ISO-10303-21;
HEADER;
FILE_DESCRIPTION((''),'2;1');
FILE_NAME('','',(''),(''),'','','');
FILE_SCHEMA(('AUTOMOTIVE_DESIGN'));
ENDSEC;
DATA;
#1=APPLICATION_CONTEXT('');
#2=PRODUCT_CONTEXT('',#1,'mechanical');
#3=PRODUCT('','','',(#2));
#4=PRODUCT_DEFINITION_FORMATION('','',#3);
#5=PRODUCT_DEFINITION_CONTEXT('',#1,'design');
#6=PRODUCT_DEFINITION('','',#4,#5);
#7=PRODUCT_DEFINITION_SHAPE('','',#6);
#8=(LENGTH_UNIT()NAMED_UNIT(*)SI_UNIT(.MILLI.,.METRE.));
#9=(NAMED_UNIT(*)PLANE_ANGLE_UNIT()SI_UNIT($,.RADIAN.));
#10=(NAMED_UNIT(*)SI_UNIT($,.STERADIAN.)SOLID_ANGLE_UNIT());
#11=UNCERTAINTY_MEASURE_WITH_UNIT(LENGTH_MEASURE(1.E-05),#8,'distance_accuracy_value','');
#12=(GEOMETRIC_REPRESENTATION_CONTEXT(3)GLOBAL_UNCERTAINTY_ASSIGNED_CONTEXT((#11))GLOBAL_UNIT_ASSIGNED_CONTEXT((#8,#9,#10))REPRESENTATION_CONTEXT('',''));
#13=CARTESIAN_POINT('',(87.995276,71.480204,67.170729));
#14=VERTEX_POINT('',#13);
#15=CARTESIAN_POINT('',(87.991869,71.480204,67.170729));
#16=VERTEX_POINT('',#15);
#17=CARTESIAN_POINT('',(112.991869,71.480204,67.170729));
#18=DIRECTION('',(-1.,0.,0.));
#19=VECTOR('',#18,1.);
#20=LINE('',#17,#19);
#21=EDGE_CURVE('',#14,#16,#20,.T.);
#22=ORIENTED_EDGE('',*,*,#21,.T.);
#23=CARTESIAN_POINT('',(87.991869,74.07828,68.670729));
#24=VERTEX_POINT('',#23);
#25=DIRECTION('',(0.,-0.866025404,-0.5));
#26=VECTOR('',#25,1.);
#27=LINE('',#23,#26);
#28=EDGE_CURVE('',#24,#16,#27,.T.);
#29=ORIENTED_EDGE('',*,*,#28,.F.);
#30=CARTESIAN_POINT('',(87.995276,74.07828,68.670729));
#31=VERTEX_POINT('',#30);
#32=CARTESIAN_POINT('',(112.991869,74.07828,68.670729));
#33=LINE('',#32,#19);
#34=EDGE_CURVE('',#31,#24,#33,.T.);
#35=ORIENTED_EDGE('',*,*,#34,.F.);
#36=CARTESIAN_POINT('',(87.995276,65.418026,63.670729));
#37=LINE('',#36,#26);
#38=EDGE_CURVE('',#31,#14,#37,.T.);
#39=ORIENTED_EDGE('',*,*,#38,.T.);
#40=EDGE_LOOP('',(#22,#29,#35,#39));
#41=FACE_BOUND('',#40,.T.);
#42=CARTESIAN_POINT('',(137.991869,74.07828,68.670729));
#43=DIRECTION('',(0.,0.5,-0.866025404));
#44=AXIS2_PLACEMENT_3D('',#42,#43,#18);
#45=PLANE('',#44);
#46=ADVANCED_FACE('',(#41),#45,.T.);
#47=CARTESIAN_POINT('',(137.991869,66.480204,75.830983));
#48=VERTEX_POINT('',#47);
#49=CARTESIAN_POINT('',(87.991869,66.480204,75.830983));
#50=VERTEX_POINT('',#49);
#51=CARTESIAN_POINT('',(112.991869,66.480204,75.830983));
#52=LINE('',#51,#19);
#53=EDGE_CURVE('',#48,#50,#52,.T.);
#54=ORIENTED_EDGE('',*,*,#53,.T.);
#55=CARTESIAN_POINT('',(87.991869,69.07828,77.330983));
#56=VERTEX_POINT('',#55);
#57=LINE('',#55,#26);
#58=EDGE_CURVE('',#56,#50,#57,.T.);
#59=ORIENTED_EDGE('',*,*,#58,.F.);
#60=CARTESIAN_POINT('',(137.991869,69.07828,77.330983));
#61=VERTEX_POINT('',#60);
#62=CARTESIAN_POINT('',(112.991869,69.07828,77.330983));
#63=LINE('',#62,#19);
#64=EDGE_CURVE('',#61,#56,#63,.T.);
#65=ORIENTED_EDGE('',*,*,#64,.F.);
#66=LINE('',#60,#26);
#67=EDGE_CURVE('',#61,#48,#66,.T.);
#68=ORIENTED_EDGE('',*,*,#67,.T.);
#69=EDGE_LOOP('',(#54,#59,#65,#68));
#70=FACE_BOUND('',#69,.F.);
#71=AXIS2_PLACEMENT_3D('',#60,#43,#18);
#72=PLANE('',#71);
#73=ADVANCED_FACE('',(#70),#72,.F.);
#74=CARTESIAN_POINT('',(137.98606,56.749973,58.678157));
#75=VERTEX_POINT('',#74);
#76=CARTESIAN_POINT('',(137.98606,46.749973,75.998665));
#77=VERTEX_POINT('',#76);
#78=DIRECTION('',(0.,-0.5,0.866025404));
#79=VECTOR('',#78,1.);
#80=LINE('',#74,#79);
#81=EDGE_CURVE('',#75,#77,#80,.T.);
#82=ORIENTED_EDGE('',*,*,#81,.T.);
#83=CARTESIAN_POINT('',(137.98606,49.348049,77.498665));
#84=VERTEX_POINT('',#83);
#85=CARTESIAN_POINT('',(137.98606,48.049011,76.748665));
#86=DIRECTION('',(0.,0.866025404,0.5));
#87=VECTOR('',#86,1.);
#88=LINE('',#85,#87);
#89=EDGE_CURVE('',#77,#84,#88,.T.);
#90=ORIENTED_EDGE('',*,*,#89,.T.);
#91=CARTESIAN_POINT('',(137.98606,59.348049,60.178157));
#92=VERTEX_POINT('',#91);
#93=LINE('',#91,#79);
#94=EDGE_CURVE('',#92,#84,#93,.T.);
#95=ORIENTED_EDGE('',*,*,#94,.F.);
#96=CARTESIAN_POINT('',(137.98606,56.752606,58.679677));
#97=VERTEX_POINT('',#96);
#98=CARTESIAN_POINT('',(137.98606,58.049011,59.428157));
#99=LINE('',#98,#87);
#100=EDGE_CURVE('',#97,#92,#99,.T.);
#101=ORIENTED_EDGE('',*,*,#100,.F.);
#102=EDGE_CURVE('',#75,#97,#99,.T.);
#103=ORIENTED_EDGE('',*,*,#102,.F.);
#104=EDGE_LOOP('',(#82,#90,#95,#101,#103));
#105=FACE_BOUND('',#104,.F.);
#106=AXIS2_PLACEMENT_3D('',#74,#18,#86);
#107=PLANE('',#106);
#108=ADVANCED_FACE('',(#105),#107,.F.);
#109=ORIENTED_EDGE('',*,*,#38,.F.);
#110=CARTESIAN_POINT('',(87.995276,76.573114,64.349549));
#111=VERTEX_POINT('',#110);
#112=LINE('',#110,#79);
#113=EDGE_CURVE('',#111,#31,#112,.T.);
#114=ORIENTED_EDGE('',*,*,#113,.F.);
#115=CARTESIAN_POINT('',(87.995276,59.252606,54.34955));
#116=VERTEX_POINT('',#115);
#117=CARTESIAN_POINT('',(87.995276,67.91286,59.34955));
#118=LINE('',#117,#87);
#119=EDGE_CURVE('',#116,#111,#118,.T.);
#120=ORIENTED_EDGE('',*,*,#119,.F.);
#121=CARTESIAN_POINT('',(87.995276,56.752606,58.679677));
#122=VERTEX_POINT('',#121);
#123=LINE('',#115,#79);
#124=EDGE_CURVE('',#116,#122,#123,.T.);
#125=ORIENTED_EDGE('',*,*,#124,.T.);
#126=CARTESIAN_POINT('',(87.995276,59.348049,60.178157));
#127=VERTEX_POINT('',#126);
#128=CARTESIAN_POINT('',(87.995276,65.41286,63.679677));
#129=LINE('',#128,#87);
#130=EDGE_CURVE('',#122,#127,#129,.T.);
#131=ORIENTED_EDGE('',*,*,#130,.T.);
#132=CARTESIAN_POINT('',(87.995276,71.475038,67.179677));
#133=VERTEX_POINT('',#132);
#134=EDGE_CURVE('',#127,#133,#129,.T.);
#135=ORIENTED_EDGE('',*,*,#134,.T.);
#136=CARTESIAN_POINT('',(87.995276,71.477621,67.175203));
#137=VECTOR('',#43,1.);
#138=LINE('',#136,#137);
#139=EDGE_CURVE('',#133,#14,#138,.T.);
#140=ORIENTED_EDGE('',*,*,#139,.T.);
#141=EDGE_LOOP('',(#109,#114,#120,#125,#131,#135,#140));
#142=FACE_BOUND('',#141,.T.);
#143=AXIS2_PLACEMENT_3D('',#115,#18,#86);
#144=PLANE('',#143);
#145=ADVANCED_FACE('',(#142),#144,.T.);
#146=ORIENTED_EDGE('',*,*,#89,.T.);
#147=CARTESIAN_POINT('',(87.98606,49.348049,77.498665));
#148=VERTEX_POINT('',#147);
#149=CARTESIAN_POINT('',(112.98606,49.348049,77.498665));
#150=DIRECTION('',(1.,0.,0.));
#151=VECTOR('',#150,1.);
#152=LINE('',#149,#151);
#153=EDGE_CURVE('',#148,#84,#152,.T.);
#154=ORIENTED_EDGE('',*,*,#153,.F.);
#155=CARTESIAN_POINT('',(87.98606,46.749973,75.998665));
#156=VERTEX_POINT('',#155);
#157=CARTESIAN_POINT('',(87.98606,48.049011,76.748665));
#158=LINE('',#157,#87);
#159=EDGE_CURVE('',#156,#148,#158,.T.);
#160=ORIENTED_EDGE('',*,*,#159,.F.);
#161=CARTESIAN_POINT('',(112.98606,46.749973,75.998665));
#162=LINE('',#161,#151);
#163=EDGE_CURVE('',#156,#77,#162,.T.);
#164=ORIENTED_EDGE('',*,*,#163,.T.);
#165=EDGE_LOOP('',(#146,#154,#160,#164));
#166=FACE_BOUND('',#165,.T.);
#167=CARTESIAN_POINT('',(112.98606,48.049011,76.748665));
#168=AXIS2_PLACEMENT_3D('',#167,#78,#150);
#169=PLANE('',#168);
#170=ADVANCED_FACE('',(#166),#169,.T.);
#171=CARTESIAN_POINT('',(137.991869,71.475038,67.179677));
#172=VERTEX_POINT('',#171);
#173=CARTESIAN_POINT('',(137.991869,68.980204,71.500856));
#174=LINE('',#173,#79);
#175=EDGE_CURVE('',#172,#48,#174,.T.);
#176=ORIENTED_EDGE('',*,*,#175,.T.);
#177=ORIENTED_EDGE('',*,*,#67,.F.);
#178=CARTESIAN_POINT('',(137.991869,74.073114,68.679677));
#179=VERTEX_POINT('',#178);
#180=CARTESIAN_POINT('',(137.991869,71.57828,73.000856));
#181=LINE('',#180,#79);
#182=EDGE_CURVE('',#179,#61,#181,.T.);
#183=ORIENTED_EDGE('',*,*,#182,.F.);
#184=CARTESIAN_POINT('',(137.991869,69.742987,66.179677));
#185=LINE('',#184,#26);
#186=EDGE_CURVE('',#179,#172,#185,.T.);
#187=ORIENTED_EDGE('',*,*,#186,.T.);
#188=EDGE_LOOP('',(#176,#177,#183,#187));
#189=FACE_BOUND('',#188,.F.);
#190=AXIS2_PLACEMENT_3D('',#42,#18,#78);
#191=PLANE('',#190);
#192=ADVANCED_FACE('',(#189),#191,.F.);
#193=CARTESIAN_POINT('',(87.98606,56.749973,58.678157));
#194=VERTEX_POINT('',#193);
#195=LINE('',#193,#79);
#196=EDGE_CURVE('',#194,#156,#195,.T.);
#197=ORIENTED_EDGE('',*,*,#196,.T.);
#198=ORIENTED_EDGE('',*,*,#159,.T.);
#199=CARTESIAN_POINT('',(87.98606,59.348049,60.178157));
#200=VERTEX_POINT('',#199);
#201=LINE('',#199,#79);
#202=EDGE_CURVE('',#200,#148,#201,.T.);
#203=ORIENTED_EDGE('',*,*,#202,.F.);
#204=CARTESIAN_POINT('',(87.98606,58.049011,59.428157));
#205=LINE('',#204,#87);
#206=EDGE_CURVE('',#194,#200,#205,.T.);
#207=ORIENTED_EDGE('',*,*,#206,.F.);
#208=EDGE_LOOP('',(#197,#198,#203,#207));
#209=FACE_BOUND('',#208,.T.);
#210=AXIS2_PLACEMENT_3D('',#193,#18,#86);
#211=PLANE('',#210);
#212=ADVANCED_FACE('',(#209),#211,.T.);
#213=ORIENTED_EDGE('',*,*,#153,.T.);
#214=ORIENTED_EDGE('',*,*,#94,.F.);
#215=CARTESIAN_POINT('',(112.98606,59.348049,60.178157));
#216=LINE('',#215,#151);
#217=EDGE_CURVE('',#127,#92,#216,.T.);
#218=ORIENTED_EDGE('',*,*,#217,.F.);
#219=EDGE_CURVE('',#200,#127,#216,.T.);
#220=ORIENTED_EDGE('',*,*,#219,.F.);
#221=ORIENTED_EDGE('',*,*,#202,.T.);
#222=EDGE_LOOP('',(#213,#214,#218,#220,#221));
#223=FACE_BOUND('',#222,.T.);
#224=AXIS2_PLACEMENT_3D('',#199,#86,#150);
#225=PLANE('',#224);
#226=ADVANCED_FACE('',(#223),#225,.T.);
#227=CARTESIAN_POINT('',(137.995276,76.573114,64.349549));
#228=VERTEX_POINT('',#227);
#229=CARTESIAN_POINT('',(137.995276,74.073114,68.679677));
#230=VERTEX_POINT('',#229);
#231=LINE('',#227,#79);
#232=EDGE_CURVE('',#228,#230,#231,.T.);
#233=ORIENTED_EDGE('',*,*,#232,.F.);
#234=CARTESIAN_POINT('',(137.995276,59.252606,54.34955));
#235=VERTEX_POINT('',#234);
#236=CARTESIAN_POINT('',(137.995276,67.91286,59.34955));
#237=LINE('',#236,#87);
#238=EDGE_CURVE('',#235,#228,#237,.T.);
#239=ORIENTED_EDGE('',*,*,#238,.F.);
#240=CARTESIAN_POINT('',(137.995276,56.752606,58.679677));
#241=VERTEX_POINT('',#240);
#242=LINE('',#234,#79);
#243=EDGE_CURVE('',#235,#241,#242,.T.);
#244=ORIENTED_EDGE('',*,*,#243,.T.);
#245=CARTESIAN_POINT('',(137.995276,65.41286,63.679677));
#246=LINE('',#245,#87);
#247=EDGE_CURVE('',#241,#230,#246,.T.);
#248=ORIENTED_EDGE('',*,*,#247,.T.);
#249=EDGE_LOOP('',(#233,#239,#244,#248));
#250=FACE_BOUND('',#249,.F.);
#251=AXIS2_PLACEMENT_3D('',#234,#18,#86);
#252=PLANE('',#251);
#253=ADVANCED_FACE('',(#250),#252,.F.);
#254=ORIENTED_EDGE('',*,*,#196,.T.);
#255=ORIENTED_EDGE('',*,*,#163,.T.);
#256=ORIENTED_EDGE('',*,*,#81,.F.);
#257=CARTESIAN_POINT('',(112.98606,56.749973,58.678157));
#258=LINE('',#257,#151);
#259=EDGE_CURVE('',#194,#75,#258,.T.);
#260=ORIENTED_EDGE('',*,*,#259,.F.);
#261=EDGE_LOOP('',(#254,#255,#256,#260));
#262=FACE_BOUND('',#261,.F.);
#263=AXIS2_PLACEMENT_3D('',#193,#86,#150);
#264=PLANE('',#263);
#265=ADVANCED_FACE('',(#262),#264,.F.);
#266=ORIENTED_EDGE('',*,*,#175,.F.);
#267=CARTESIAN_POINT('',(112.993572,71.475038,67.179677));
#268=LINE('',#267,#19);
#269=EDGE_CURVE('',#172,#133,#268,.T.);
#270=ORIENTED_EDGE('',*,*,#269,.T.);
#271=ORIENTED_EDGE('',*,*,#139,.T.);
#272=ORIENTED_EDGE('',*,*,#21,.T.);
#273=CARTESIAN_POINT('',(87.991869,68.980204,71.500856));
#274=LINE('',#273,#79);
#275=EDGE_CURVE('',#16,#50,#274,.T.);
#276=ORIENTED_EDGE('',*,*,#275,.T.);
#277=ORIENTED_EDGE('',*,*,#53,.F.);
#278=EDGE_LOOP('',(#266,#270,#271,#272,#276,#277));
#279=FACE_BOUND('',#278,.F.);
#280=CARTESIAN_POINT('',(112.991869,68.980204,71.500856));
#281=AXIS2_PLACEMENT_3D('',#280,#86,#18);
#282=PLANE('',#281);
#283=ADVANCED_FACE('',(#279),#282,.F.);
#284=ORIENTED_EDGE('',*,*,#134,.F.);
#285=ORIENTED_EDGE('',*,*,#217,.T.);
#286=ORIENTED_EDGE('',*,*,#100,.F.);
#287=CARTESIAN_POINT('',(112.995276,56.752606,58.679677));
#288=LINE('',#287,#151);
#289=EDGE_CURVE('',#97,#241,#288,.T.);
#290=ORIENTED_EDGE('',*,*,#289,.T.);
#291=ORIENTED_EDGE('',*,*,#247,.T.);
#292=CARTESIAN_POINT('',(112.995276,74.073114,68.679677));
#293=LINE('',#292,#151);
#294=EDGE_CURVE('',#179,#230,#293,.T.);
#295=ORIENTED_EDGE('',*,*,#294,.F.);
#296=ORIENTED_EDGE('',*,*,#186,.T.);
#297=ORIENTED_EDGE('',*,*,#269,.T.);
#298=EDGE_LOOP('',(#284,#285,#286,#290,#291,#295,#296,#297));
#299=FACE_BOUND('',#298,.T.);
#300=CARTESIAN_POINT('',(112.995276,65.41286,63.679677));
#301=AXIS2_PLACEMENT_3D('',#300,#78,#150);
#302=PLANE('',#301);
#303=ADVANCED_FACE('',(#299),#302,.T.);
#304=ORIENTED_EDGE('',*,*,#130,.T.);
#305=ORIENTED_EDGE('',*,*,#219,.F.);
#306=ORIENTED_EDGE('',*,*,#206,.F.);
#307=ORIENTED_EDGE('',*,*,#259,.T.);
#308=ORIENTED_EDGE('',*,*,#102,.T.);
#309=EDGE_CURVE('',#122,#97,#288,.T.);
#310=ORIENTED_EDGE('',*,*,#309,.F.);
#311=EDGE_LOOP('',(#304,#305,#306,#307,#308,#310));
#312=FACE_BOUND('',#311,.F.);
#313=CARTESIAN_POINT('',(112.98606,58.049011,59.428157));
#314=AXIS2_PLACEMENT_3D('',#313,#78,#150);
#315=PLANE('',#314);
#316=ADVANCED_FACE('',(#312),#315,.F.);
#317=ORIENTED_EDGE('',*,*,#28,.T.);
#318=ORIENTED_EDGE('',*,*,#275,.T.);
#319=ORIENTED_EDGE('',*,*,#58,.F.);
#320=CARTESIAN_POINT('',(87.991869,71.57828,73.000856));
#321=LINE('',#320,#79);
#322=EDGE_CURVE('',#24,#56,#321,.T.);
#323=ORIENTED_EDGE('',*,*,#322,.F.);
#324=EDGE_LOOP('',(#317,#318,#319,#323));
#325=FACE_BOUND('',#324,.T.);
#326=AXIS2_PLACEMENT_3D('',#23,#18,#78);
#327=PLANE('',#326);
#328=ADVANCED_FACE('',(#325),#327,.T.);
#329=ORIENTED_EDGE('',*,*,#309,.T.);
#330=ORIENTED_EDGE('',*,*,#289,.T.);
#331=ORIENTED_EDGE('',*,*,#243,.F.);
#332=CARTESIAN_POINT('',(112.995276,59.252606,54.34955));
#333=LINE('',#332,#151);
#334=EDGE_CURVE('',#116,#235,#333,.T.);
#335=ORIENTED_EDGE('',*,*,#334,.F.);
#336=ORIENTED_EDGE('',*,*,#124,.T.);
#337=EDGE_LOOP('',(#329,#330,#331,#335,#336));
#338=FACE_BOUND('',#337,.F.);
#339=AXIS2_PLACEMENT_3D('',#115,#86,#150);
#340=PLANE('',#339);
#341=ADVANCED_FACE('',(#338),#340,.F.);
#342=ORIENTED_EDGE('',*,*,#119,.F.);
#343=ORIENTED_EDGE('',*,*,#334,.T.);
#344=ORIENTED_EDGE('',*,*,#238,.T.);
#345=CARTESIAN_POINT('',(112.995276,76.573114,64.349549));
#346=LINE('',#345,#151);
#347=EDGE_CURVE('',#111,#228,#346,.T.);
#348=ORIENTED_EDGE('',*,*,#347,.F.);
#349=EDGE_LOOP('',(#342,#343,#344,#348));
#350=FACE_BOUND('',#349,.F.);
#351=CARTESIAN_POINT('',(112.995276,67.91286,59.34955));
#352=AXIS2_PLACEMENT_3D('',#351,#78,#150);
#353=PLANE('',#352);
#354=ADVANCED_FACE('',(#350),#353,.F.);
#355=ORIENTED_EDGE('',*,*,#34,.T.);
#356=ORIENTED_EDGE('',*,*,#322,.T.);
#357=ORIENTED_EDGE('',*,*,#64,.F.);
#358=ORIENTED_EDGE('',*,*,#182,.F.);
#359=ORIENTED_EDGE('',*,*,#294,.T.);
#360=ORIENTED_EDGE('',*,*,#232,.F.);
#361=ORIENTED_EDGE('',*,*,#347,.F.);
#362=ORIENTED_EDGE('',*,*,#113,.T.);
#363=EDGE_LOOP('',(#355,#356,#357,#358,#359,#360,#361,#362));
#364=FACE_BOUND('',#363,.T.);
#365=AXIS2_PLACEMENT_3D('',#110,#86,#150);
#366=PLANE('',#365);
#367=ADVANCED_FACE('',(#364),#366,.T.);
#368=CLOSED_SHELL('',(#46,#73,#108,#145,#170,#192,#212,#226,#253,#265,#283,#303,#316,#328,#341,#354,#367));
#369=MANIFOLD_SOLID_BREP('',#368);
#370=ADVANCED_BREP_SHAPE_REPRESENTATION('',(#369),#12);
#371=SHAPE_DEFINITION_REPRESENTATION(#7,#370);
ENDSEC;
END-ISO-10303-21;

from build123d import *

# Parameters (mm, degrees)
SKETCH048_W             = 50
SKETCH048_H             = 20
PAD047_DEPTH            = 5
SKETCH049_W             = 50
SKETCH049_H             = 3
PAD048_DEPTH            = 20
SKETCH050_W             = 50
SKETCH050_H             = 10
PAD049_DEPTH            = 3
BODY040_PLACEMENT_ANGLE = 30


with BuildPart() as part:
    # Sketch048 → Pad047 (new body)
    with BuildSketch(Plane.XY):
        with Locations((184.845276, -123.914059)):
            Rectangle(SKETCH048_W, SKETCH048_H)
    extrude(amount=PAD047_DEPTH)

    # Sketch049 (on Face6 of Pad047) → Pad048 (join)
    with BuildSketch(Plane.XY.offset(5)):
        with Locations((184.83606, -132.417099)):
            Rectangle(SKETCH049_W, SKETCH049_H)
    extrude(amount=PAD048_DEPTH)

    # Sketch050 (on Face7 of Pad048) → Pad049 (join)
    with BuildSketch(Plane(origin=(0, -113.914059, 0), x_dir=(-1, 0, 0), z_dir=(0, 1, 0))):
        with Locations((-184.841869, 9.989668)):
            Rectangle(SKETCH050_W, SKETCH050_H)
    extrude(amount=-PAD049_DEPTH)


with BuildPart() as part_1:
    # Body040 placement: moved
    add(part.part.moved(Location((-71.85, 175.225583, 121.306579))).rotate(Axis((-71.85, 175.225583, 121.306579), (1, 0, 0)), BODY040_PLACEMENT_ANGLE))


solid = part_1.part
